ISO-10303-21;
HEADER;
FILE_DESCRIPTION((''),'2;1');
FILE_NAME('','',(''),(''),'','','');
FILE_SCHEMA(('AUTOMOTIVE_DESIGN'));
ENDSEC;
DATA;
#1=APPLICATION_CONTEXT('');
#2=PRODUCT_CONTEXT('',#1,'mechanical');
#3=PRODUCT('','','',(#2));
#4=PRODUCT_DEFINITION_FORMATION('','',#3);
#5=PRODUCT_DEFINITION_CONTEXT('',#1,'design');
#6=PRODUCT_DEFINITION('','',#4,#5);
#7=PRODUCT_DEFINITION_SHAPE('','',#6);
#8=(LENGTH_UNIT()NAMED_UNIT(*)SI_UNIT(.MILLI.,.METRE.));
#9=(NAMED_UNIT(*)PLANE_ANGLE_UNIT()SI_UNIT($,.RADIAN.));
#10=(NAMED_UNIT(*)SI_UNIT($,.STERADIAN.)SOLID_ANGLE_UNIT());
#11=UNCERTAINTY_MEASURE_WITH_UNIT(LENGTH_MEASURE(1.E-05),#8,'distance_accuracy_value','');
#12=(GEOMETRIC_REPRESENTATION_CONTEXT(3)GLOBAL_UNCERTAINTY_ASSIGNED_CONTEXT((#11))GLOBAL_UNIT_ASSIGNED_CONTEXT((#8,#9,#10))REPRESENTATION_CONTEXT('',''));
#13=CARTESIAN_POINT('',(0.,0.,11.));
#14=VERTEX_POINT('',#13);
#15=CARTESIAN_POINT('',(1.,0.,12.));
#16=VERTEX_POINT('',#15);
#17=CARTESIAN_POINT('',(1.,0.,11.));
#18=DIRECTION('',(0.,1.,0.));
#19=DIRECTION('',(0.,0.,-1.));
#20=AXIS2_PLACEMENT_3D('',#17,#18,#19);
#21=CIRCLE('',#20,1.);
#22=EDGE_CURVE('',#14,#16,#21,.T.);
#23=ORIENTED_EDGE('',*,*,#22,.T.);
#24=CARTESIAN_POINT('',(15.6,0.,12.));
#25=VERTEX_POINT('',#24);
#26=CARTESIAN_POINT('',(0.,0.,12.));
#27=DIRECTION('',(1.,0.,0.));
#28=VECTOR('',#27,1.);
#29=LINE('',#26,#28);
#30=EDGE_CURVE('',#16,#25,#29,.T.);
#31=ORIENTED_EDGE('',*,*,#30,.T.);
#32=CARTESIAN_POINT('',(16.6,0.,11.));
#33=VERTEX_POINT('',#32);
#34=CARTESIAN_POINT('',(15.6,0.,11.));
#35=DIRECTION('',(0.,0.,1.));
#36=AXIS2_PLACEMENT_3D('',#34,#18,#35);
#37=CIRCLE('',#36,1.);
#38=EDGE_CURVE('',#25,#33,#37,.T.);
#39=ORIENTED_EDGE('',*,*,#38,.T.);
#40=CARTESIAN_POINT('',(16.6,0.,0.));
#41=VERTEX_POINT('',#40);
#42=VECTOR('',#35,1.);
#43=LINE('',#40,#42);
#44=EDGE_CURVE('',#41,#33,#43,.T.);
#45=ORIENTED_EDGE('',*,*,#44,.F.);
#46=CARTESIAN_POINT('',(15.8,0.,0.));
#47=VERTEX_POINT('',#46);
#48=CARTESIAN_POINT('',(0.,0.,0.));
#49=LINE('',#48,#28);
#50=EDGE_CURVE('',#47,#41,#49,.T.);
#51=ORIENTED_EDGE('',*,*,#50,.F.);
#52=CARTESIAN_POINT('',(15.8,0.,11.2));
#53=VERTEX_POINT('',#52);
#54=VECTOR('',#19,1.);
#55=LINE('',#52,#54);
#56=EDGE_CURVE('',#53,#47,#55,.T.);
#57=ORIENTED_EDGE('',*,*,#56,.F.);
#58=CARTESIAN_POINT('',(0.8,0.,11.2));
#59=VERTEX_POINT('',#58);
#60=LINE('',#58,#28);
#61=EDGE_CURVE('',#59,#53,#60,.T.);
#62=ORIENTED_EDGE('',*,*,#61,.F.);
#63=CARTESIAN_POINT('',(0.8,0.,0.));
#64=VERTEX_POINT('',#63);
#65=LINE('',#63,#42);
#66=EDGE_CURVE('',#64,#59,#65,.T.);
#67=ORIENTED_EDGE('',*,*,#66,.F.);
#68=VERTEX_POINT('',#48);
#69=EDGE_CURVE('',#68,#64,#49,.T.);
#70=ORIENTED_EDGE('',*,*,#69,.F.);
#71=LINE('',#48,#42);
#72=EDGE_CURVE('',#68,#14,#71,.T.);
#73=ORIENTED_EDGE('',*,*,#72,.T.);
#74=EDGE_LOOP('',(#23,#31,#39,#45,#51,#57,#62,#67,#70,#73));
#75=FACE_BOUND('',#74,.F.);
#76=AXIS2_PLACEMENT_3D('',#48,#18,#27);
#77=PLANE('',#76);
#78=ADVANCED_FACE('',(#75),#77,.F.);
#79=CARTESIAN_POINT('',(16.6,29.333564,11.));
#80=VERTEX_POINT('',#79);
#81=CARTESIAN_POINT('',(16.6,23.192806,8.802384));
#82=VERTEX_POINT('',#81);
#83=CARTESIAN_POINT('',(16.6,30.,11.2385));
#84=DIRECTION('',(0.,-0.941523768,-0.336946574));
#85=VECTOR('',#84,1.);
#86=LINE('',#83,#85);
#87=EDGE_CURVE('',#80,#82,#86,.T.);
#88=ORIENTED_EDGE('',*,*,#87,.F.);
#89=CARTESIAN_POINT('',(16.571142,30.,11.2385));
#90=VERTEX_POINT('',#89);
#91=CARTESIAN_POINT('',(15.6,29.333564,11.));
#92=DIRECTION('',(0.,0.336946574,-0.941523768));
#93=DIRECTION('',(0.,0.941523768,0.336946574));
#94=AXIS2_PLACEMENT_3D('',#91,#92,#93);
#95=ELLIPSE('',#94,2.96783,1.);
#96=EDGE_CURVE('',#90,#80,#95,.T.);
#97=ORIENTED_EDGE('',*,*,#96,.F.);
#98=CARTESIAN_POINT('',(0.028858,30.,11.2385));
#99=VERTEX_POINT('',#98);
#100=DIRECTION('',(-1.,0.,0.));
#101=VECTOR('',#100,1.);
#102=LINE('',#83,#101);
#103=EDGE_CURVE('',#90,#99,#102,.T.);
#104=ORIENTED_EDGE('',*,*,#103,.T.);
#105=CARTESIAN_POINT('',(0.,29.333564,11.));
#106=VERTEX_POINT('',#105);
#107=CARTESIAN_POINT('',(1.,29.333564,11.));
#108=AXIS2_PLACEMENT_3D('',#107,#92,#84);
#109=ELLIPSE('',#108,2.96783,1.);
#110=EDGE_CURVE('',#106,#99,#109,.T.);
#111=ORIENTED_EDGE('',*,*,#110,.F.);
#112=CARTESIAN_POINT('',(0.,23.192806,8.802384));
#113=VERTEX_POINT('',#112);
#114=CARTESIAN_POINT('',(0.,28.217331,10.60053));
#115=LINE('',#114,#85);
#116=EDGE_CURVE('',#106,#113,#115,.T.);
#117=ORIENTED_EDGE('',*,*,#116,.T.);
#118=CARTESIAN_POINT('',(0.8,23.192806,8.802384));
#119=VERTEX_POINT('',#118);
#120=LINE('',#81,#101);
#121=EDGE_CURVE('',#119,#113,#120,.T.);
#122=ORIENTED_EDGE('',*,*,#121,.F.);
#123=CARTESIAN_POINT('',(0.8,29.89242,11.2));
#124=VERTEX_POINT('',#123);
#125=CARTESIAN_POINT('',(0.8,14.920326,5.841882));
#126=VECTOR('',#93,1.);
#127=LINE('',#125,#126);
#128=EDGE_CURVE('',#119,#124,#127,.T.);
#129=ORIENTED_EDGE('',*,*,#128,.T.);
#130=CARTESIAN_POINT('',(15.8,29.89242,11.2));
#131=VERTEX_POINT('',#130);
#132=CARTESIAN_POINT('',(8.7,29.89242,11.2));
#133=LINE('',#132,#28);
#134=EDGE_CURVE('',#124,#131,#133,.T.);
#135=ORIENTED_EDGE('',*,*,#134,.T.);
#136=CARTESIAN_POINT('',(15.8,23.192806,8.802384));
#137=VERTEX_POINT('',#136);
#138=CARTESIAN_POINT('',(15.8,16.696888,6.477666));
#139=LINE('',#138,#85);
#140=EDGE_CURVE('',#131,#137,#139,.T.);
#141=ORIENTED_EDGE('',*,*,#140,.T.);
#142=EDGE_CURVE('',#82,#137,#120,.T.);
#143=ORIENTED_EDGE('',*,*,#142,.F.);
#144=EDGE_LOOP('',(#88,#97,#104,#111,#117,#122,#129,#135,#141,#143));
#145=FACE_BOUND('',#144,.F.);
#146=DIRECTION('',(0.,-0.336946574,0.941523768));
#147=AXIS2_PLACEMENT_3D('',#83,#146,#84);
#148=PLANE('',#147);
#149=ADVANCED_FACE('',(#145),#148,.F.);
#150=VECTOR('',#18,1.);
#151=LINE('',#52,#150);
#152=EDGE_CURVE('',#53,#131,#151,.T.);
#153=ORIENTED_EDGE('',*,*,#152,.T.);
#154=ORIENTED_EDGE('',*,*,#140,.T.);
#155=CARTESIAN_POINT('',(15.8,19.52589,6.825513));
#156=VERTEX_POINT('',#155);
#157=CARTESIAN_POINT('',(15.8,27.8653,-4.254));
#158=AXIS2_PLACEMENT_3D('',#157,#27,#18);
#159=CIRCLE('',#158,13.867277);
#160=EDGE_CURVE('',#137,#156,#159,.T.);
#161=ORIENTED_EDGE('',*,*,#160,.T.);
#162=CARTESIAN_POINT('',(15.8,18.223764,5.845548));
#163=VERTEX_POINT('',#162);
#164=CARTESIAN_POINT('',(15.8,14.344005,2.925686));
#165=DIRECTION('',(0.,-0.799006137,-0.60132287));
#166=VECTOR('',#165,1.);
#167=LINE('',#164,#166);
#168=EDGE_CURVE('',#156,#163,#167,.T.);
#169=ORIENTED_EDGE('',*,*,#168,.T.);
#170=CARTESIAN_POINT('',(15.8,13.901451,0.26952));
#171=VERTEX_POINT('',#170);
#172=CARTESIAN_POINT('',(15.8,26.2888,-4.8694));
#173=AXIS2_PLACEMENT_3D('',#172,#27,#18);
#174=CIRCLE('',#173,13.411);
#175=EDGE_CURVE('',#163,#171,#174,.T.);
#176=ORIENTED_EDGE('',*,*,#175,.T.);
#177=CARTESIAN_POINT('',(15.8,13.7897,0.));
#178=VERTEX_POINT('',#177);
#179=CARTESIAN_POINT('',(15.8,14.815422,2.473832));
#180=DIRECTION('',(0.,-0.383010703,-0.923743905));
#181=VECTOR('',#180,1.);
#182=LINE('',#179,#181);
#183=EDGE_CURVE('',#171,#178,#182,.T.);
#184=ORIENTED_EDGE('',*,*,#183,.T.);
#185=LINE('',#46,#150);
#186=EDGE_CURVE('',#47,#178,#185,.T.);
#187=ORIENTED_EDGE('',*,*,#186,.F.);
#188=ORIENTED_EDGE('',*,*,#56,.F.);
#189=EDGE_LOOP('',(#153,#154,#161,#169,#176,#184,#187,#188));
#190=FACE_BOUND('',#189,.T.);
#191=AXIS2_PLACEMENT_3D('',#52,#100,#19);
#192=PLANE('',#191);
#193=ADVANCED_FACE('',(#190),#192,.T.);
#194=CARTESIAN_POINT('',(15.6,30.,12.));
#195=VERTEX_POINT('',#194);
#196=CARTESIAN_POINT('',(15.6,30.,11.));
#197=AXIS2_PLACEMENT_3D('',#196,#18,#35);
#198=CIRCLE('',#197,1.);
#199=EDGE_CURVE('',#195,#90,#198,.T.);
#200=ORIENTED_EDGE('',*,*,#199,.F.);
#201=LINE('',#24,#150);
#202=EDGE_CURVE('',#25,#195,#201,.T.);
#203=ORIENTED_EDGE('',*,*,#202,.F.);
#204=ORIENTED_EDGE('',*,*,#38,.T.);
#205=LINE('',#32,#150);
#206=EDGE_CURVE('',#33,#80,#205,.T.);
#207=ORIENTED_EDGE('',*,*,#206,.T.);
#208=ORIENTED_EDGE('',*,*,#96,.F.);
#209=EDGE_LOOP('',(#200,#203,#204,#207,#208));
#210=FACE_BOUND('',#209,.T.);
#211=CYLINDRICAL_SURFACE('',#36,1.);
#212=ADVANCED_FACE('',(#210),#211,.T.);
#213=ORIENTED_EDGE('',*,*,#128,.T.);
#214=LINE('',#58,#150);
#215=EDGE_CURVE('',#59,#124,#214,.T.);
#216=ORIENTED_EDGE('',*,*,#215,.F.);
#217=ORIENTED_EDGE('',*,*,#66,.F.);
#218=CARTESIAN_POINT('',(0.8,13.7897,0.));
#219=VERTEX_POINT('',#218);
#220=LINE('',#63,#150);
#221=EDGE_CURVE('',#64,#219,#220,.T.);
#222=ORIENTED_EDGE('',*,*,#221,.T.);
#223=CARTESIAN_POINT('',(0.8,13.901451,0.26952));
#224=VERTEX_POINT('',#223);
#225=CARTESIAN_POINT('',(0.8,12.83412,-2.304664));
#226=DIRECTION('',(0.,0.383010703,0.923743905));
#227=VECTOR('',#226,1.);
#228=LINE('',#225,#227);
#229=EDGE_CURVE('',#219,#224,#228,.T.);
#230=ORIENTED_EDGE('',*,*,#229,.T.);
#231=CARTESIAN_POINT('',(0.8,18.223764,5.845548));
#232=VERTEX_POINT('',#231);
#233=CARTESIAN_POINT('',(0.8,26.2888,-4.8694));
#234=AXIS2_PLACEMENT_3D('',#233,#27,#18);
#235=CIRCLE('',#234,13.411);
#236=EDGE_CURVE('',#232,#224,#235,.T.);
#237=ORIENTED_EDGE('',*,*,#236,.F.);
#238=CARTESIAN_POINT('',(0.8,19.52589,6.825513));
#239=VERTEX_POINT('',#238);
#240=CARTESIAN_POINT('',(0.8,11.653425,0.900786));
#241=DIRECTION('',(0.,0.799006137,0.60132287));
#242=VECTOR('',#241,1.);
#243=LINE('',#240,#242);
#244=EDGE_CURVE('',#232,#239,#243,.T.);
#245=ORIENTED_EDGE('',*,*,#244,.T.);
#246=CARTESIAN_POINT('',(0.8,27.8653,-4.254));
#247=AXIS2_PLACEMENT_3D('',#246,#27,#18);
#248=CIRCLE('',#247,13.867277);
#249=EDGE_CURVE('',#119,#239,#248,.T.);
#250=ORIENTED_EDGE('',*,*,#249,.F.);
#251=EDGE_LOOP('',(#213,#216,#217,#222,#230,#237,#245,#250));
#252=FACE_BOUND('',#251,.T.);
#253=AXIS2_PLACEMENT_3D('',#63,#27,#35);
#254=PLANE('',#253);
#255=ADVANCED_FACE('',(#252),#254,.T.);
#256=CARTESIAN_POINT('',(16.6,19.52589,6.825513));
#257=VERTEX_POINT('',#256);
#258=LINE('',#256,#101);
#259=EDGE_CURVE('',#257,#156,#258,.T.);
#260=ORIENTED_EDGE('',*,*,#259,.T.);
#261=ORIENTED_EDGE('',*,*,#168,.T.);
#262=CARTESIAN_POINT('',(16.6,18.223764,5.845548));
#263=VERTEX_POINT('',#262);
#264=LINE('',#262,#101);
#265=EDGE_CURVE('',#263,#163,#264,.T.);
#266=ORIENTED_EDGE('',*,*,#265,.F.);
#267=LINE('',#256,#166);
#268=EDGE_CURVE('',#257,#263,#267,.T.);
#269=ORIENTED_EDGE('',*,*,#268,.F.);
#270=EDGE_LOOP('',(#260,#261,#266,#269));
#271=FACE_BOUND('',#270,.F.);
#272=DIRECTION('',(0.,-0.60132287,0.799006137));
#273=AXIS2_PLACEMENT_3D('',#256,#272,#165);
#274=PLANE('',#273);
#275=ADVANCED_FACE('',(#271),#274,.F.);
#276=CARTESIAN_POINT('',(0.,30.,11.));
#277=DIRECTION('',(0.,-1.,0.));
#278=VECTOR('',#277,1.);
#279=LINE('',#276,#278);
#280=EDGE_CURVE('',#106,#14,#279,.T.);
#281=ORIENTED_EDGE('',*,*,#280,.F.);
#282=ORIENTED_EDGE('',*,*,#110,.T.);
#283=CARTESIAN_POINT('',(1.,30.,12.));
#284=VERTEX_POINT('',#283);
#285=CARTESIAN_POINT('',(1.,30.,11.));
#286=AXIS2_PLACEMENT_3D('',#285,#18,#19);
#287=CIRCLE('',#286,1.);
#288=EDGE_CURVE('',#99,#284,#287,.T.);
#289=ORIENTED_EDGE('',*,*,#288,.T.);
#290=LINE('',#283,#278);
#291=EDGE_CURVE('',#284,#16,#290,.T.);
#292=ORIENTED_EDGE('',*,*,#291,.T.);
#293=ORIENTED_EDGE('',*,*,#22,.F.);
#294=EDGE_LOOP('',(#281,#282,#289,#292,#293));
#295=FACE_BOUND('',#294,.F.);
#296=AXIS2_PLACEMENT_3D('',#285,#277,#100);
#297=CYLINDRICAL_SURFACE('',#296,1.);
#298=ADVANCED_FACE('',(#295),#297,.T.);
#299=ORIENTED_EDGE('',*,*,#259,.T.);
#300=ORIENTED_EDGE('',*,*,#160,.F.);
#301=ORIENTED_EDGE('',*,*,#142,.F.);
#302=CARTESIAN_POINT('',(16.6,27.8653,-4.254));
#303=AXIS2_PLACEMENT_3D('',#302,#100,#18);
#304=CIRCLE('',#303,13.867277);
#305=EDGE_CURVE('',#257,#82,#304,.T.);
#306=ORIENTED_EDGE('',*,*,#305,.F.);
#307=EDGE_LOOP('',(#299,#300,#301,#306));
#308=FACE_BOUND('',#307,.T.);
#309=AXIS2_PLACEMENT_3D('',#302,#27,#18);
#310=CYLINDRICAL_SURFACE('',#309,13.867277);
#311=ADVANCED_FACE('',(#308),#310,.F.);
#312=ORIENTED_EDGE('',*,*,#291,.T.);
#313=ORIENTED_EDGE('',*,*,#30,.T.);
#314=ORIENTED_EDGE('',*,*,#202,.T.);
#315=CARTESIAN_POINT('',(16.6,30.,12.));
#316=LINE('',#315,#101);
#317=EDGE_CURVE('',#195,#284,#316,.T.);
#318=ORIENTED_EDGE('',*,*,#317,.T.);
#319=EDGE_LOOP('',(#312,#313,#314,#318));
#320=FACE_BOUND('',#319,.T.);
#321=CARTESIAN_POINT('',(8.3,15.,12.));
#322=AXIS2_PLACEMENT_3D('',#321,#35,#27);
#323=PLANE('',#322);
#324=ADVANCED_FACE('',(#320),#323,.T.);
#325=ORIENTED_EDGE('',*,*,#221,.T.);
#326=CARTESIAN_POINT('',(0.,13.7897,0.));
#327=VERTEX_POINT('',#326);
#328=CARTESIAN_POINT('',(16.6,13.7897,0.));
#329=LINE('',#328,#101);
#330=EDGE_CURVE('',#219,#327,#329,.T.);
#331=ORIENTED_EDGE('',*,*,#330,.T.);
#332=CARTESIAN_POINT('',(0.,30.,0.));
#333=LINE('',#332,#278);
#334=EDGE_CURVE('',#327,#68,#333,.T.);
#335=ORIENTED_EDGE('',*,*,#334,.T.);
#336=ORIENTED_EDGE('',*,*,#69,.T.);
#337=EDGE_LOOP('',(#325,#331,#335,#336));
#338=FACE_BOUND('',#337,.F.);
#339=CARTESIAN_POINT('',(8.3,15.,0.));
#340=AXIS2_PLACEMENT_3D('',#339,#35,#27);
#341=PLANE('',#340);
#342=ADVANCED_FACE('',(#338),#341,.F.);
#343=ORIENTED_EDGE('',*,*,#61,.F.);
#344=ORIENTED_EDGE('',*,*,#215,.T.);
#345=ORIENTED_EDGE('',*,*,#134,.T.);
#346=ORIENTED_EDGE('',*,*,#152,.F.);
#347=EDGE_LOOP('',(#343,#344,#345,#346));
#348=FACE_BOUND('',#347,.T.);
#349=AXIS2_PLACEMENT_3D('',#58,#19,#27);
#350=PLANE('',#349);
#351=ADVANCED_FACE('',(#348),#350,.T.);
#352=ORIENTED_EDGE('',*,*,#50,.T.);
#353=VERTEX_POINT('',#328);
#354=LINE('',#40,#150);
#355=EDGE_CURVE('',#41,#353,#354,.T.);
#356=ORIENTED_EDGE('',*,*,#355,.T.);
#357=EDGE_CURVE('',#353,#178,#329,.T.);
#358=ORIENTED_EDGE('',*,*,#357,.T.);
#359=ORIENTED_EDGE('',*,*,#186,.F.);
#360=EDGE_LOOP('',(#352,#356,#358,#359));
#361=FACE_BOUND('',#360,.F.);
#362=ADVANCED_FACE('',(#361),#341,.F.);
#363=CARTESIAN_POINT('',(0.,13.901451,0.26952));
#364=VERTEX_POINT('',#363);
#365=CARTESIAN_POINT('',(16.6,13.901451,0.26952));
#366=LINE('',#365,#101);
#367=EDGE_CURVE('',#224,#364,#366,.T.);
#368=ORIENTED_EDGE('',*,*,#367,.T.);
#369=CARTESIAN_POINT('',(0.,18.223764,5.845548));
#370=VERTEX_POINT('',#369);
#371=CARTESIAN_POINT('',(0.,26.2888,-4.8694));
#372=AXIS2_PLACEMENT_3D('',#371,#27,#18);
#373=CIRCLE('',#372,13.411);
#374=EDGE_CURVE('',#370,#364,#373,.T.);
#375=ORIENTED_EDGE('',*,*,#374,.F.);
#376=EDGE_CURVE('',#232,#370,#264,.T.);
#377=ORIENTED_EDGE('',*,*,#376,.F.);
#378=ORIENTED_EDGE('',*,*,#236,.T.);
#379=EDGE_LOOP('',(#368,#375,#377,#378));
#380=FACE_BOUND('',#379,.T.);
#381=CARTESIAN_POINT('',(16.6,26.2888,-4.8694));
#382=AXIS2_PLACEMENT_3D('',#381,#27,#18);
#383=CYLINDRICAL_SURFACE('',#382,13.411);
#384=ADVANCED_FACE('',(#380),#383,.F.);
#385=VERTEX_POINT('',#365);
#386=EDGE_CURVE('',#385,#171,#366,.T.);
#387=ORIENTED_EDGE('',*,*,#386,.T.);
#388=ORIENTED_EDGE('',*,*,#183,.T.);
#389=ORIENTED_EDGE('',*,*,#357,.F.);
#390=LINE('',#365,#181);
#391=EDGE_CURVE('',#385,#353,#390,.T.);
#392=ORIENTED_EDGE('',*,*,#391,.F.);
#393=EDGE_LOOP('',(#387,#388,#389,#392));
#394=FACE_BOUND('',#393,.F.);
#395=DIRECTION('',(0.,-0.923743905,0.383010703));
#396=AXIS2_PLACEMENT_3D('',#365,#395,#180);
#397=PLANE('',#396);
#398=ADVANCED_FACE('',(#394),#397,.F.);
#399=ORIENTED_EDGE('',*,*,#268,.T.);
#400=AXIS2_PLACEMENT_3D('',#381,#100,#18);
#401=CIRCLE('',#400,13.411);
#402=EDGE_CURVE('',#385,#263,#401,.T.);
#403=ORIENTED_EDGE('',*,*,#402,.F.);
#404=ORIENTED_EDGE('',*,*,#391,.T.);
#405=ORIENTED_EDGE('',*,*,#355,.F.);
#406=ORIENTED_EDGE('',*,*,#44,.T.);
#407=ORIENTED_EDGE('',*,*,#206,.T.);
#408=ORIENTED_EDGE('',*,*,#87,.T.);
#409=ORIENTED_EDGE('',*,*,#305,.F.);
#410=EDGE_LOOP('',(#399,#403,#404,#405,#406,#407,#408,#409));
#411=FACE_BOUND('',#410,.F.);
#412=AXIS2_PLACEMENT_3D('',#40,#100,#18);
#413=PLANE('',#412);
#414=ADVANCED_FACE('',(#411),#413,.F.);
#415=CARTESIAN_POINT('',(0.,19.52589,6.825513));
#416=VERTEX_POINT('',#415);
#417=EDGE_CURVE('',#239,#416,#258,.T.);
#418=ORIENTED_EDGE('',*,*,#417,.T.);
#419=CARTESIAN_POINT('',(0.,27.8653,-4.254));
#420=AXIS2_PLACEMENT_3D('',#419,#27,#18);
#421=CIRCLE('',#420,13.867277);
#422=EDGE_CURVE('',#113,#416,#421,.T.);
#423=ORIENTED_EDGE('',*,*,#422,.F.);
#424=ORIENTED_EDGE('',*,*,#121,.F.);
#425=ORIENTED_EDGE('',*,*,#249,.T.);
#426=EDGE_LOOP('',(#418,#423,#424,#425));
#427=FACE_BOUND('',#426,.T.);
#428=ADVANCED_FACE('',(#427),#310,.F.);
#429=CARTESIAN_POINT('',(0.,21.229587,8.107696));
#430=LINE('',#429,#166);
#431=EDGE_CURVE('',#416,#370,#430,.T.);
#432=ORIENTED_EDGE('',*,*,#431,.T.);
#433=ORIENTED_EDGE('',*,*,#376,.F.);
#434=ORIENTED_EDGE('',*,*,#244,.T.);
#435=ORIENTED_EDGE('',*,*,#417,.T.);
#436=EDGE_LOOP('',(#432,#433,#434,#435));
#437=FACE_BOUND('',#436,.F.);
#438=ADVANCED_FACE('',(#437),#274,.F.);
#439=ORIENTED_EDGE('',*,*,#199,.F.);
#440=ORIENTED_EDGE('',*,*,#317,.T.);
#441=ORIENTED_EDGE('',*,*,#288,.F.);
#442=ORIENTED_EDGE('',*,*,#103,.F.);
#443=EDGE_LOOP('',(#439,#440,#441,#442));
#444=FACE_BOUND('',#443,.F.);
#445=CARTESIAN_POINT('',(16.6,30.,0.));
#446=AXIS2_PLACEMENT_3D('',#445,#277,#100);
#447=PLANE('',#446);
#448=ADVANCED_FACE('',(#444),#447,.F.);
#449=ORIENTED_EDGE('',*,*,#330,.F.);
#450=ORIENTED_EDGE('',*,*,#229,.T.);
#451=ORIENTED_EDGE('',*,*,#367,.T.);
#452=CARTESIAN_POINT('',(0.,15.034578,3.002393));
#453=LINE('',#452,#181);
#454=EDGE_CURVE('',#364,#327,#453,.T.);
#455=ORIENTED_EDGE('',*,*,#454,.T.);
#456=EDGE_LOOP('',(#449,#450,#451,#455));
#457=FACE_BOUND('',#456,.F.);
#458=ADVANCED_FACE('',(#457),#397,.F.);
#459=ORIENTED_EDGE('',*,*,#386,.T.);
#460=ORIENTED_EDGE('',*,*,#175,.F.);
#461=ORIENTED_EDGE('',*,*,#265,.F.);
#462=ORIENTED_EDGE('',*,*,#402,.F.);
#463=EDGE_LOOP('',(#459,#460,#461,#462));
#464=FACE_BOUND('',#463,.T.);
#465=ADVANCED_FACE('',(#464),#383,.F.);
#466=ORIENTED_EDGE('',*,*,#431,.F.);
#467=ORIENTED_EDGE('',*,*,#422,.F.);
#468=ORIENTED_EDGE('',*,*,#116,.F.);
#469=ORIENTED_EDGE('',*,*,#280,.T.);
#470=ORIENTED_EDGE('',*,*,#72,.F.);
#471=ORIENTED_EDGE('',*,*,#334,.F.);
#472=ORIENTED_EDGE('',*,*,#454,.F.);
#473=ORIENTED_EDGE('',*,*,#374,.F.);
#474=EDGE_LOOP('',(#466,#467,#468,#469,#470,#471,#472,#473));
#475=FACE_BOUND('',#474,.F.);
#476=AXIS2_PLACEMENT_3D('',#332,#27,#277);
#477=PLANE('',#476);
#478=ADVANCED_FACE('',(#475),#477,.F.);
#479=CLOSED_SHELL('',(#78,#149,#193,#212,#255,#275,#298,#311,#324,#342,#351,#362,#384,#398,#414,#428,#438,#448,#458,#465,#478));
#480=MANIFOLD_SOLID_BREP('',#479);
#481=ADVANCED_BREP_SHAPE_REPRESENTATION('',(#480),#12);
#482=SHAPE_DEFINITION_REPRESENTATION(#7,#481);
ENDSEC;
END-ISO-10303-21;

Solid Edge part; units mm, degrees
sketch "Sketch1" plane through (0, 0, 0) normal (0, 0, 1) x (1, 0, 0)
  line L0 (16.6, 30) -> (0, 30)
  line L1 (0, 30) -> (0, 0)
  line L2 (0, 0) -> (16.6, 0)
  line L3 (16.6, 0) -> (16.6, 30)
extrude "Protrusion1" add sketch "Sketch1" along normal blind 12
sketch "Sketch2" plane through (16.6, 15, 6) normal (1, 0, 0) x (0, 1, 0)
  line L0 (4.5259, 0.8255) -> (3.2238, -0.1545)
  arc A0 (-1.0985, -5.7305) -> (3.2238, -0.1545) centre (11.2888, -10.8694) cw
  line L1 (-1.0985, -5.7305) -> (-1.2103, -6)
  line L2 (-1.2103, -6) -> (15, -6)
  line L3 (15, -6) -> (15, 5.2385)
  line L4 (15, 5.2385) -> (8.1928, 2.8024)
  arc A1 (4.5259, 0.8255) -> (8.1928, 2.8024) centre (12.8653, -10.254) cw
extrude "ScavoEstrusione_1" cut sketch "Sketch2" against normal blind 87.395
sketch "Sketch3" plane through (8.3, 0, 6) normal (0, -1, 0) x (1, 0, 0)
  line L0 (7.5, 5.2) -> (7.5, -6)
  line L1 (-7.5, -6) -> (7.5, -6)
  line L2 (-7.5, -6) -> (-7.5, 5.2)
  line L3 (-7.5, 5.2) -> (7.5, 5.2)
extrude "ScavoEstrusione_2" cut sketch "Sketch3" against normal blind 100.7883
fillet "Rotondo_1" radius 1 2 edges at (0, 15, 12) (16.6, 15, 12)
